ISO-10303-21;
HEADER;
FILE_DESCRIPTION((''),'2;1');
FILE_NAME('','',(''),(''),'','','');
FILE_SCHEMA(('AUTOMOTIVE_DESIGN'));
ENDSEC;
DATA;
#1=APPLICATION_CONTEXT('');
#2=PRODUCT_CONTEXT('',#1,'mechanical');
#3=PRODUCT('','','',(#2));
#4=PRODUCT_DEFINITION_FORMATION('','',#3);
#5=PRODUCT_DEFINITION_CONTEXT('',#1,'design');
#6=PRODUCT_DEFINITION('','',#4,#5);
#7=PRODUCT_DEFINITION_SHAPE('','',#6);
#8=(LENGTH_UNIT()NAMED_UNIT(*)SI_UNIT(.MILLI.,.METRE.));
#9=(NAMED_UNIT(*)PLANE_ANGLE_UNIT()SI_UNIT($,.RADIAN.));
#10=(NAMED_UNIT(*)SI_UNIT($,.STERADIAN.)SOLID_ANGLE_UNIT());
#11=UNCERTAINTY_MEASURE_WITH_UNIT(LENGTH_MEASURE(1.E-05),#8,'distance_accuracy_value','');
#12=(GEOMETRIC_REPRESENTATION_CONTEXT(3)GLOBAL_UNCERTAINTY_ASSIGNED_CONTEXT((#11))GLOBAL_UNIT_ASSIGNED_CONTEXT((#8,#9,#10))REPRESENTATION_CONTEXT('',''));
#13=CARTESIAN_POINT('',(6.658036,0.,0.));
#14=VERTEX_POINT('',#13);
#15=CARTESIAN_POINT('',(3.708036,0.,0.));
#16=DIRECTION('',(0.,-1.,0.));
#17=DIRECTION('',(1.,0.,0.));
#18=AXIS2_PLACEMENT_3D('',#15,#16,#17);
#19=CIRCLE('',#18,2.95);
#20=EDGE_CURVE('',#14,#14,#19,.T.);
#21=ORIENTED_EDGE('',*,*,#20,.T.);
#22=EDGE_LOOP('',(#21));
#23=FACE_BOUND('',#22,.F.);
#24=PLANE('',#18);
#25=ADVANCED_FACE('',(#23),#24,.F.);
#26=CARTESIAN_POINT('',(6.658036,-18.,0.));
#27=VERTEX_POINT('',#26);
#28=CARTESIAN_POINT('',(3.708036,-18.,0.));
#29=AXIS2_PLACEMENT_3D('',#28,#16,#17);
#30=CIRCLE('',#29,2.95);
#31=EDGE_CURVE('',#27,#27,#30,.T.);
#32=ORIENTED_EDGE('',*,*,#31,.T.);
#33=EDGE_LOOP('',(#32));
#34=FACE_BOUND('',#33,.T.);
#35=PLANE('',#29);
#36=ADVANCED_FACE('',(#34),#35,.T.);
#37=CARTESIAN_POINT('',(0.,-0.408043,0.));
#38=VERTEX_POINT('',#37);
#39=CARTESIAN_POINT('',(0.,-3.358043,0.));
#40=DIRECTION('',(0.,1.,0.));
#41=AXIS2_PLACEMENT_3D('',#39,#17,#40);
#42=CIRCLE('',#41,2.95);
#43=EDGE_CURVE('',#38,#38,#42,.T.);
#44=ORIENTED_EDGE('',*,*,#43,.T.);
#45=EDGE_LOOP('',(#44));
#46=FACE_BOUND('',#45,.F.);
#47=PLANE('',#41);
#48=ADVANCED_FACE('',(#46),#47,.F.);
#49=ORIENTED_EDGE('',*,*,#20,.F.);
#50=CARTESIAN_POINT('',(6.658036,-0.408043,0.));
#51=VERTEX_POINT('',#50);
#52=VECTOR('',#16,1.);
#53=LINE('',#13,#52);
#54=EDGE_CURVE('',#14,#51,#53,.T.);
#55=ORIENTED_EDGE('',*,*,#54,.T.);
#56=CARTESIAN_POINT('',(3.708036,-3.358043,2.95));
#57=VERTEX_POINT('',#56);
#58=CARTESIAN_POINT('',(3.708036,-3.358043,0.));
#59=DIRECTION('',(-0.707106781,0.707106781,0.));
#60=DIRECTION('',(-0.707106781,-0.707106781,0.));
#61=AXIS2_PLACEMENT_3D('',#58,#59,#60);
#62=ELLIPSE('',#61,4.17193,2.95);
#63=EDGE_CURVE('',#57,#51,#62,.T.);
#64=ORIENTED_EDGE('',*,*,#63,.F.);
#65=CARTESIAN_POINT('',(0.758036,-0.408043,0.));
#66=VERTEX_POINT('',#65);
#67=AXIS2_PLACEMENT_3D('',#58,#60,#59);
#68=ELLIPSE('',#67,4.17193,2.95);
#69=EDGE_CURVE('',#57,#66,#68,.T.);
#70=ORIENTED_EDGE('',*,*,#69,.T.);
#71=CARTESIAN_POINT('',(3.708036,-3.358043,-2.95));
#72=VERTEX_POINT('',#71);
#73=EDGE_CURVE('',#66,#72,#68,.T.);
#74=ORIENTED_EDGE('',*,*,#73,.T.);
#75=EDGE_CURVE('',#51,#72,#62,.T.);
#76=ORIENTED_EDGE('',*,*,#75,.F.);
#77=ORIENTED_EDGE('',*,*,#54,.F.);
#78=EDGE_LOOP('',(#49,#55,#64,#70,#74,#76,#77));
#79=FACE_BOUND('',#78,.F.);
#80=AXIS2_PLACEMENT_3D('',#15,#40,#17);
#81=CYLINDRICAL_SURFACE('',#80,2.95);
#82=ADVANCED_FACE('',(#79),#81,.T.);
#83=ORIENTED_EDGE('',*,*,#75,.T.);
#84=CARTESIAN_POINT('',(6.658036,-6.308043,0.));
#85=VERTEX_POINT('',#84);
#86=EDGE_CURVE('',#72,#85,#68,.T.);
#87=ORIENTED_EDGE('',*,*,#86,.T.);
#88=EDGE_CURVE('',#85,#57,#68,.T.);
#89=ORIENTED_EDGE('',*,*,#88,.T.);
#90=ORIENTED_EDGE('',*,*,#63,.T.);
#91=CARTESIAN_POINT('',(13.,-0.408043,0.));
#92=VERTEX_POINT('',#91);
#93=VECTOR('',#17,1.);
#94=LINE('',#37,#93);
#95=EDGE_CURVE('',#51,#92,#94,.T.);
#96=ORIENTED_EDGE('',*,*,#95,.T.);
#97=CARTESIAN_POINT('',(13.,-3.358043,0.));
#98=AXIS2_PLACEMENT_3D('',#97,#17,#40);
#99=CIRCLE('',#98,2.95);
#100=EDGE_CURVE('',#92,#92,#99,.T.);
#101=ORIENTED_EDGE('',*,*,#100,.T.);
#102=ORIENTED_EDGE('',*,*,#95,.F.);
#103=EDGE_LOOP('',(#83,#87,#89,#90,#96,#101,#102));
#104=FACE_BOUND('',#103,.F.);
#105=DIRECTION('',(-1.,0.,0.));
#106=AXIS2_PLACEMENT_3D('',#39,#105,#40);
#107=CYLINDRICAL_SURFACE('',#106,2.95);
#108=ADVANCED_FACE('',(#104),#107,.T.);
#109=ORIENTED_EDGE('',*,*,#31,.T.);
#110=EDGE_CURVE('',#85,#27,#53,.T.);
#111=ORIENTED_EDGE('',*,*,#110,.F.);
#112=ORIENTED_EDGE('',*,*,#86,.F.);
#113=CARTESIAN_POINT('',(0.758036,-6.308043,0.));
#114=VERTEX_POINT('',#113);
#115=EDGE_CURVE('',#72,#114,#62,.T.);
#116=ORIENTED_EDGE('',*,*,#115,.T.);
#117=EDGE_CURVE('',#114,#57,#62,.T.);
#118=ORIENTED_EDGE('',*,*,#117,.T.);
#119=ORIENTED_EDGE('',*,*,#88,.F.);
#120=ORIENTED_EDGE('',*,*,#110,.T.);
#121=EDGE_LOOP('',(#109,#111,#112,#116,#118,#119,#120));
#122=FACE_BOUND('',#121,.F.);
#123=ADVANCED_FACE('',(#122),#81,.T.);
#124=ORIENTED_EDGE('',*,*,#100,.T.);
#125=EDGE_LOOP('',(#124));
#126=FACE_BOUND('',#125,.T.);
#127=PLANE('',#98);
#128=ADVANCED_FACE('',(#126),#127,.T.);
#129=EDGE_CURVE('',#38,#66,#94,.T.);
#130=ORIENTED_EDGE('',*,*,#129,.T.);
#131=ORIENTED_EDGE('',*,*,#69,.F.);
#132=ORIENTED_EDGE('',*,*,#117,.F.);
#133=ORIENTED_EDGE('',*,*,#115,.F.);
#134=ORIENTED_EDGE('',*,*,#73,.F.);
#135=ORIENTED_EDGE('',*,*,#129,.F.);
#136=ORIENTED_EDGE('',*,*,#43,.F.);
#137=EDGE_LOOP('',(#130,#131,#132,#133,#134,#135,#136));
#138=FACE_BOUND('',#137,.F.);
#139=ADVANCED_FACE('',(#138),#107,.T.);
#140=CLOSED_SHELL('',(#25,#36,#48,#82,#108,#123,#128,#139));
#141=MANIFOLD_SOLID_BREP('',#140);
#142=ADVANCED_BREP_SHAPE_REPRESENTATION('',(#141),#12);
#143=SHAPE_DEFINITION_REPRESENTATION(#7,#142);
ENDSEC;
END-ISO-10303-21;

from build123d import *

# Parameters (mm, degrees)
F0_R     = 2.95
F2_DEPTH = 13
F1_R     = 2.95
F3_DEPTH = 18


with BuildPart() as f2:
    # F0 (on Right) → F2 (new body)
    with BuildSketch(Plane.YZ):
        with Locations((-3.358043, 0)):
            Circle(F0_R)
    extrude(amount=F2_DEPTH)

    # F1 (on Front) → F3 (join)
    with BuildSketch(Plane.XZ):
        with Locations((3.708036, 0)):
            Circle(F1_R)
    extrude(amount=F3_DEPTH)


solid = f2.part
